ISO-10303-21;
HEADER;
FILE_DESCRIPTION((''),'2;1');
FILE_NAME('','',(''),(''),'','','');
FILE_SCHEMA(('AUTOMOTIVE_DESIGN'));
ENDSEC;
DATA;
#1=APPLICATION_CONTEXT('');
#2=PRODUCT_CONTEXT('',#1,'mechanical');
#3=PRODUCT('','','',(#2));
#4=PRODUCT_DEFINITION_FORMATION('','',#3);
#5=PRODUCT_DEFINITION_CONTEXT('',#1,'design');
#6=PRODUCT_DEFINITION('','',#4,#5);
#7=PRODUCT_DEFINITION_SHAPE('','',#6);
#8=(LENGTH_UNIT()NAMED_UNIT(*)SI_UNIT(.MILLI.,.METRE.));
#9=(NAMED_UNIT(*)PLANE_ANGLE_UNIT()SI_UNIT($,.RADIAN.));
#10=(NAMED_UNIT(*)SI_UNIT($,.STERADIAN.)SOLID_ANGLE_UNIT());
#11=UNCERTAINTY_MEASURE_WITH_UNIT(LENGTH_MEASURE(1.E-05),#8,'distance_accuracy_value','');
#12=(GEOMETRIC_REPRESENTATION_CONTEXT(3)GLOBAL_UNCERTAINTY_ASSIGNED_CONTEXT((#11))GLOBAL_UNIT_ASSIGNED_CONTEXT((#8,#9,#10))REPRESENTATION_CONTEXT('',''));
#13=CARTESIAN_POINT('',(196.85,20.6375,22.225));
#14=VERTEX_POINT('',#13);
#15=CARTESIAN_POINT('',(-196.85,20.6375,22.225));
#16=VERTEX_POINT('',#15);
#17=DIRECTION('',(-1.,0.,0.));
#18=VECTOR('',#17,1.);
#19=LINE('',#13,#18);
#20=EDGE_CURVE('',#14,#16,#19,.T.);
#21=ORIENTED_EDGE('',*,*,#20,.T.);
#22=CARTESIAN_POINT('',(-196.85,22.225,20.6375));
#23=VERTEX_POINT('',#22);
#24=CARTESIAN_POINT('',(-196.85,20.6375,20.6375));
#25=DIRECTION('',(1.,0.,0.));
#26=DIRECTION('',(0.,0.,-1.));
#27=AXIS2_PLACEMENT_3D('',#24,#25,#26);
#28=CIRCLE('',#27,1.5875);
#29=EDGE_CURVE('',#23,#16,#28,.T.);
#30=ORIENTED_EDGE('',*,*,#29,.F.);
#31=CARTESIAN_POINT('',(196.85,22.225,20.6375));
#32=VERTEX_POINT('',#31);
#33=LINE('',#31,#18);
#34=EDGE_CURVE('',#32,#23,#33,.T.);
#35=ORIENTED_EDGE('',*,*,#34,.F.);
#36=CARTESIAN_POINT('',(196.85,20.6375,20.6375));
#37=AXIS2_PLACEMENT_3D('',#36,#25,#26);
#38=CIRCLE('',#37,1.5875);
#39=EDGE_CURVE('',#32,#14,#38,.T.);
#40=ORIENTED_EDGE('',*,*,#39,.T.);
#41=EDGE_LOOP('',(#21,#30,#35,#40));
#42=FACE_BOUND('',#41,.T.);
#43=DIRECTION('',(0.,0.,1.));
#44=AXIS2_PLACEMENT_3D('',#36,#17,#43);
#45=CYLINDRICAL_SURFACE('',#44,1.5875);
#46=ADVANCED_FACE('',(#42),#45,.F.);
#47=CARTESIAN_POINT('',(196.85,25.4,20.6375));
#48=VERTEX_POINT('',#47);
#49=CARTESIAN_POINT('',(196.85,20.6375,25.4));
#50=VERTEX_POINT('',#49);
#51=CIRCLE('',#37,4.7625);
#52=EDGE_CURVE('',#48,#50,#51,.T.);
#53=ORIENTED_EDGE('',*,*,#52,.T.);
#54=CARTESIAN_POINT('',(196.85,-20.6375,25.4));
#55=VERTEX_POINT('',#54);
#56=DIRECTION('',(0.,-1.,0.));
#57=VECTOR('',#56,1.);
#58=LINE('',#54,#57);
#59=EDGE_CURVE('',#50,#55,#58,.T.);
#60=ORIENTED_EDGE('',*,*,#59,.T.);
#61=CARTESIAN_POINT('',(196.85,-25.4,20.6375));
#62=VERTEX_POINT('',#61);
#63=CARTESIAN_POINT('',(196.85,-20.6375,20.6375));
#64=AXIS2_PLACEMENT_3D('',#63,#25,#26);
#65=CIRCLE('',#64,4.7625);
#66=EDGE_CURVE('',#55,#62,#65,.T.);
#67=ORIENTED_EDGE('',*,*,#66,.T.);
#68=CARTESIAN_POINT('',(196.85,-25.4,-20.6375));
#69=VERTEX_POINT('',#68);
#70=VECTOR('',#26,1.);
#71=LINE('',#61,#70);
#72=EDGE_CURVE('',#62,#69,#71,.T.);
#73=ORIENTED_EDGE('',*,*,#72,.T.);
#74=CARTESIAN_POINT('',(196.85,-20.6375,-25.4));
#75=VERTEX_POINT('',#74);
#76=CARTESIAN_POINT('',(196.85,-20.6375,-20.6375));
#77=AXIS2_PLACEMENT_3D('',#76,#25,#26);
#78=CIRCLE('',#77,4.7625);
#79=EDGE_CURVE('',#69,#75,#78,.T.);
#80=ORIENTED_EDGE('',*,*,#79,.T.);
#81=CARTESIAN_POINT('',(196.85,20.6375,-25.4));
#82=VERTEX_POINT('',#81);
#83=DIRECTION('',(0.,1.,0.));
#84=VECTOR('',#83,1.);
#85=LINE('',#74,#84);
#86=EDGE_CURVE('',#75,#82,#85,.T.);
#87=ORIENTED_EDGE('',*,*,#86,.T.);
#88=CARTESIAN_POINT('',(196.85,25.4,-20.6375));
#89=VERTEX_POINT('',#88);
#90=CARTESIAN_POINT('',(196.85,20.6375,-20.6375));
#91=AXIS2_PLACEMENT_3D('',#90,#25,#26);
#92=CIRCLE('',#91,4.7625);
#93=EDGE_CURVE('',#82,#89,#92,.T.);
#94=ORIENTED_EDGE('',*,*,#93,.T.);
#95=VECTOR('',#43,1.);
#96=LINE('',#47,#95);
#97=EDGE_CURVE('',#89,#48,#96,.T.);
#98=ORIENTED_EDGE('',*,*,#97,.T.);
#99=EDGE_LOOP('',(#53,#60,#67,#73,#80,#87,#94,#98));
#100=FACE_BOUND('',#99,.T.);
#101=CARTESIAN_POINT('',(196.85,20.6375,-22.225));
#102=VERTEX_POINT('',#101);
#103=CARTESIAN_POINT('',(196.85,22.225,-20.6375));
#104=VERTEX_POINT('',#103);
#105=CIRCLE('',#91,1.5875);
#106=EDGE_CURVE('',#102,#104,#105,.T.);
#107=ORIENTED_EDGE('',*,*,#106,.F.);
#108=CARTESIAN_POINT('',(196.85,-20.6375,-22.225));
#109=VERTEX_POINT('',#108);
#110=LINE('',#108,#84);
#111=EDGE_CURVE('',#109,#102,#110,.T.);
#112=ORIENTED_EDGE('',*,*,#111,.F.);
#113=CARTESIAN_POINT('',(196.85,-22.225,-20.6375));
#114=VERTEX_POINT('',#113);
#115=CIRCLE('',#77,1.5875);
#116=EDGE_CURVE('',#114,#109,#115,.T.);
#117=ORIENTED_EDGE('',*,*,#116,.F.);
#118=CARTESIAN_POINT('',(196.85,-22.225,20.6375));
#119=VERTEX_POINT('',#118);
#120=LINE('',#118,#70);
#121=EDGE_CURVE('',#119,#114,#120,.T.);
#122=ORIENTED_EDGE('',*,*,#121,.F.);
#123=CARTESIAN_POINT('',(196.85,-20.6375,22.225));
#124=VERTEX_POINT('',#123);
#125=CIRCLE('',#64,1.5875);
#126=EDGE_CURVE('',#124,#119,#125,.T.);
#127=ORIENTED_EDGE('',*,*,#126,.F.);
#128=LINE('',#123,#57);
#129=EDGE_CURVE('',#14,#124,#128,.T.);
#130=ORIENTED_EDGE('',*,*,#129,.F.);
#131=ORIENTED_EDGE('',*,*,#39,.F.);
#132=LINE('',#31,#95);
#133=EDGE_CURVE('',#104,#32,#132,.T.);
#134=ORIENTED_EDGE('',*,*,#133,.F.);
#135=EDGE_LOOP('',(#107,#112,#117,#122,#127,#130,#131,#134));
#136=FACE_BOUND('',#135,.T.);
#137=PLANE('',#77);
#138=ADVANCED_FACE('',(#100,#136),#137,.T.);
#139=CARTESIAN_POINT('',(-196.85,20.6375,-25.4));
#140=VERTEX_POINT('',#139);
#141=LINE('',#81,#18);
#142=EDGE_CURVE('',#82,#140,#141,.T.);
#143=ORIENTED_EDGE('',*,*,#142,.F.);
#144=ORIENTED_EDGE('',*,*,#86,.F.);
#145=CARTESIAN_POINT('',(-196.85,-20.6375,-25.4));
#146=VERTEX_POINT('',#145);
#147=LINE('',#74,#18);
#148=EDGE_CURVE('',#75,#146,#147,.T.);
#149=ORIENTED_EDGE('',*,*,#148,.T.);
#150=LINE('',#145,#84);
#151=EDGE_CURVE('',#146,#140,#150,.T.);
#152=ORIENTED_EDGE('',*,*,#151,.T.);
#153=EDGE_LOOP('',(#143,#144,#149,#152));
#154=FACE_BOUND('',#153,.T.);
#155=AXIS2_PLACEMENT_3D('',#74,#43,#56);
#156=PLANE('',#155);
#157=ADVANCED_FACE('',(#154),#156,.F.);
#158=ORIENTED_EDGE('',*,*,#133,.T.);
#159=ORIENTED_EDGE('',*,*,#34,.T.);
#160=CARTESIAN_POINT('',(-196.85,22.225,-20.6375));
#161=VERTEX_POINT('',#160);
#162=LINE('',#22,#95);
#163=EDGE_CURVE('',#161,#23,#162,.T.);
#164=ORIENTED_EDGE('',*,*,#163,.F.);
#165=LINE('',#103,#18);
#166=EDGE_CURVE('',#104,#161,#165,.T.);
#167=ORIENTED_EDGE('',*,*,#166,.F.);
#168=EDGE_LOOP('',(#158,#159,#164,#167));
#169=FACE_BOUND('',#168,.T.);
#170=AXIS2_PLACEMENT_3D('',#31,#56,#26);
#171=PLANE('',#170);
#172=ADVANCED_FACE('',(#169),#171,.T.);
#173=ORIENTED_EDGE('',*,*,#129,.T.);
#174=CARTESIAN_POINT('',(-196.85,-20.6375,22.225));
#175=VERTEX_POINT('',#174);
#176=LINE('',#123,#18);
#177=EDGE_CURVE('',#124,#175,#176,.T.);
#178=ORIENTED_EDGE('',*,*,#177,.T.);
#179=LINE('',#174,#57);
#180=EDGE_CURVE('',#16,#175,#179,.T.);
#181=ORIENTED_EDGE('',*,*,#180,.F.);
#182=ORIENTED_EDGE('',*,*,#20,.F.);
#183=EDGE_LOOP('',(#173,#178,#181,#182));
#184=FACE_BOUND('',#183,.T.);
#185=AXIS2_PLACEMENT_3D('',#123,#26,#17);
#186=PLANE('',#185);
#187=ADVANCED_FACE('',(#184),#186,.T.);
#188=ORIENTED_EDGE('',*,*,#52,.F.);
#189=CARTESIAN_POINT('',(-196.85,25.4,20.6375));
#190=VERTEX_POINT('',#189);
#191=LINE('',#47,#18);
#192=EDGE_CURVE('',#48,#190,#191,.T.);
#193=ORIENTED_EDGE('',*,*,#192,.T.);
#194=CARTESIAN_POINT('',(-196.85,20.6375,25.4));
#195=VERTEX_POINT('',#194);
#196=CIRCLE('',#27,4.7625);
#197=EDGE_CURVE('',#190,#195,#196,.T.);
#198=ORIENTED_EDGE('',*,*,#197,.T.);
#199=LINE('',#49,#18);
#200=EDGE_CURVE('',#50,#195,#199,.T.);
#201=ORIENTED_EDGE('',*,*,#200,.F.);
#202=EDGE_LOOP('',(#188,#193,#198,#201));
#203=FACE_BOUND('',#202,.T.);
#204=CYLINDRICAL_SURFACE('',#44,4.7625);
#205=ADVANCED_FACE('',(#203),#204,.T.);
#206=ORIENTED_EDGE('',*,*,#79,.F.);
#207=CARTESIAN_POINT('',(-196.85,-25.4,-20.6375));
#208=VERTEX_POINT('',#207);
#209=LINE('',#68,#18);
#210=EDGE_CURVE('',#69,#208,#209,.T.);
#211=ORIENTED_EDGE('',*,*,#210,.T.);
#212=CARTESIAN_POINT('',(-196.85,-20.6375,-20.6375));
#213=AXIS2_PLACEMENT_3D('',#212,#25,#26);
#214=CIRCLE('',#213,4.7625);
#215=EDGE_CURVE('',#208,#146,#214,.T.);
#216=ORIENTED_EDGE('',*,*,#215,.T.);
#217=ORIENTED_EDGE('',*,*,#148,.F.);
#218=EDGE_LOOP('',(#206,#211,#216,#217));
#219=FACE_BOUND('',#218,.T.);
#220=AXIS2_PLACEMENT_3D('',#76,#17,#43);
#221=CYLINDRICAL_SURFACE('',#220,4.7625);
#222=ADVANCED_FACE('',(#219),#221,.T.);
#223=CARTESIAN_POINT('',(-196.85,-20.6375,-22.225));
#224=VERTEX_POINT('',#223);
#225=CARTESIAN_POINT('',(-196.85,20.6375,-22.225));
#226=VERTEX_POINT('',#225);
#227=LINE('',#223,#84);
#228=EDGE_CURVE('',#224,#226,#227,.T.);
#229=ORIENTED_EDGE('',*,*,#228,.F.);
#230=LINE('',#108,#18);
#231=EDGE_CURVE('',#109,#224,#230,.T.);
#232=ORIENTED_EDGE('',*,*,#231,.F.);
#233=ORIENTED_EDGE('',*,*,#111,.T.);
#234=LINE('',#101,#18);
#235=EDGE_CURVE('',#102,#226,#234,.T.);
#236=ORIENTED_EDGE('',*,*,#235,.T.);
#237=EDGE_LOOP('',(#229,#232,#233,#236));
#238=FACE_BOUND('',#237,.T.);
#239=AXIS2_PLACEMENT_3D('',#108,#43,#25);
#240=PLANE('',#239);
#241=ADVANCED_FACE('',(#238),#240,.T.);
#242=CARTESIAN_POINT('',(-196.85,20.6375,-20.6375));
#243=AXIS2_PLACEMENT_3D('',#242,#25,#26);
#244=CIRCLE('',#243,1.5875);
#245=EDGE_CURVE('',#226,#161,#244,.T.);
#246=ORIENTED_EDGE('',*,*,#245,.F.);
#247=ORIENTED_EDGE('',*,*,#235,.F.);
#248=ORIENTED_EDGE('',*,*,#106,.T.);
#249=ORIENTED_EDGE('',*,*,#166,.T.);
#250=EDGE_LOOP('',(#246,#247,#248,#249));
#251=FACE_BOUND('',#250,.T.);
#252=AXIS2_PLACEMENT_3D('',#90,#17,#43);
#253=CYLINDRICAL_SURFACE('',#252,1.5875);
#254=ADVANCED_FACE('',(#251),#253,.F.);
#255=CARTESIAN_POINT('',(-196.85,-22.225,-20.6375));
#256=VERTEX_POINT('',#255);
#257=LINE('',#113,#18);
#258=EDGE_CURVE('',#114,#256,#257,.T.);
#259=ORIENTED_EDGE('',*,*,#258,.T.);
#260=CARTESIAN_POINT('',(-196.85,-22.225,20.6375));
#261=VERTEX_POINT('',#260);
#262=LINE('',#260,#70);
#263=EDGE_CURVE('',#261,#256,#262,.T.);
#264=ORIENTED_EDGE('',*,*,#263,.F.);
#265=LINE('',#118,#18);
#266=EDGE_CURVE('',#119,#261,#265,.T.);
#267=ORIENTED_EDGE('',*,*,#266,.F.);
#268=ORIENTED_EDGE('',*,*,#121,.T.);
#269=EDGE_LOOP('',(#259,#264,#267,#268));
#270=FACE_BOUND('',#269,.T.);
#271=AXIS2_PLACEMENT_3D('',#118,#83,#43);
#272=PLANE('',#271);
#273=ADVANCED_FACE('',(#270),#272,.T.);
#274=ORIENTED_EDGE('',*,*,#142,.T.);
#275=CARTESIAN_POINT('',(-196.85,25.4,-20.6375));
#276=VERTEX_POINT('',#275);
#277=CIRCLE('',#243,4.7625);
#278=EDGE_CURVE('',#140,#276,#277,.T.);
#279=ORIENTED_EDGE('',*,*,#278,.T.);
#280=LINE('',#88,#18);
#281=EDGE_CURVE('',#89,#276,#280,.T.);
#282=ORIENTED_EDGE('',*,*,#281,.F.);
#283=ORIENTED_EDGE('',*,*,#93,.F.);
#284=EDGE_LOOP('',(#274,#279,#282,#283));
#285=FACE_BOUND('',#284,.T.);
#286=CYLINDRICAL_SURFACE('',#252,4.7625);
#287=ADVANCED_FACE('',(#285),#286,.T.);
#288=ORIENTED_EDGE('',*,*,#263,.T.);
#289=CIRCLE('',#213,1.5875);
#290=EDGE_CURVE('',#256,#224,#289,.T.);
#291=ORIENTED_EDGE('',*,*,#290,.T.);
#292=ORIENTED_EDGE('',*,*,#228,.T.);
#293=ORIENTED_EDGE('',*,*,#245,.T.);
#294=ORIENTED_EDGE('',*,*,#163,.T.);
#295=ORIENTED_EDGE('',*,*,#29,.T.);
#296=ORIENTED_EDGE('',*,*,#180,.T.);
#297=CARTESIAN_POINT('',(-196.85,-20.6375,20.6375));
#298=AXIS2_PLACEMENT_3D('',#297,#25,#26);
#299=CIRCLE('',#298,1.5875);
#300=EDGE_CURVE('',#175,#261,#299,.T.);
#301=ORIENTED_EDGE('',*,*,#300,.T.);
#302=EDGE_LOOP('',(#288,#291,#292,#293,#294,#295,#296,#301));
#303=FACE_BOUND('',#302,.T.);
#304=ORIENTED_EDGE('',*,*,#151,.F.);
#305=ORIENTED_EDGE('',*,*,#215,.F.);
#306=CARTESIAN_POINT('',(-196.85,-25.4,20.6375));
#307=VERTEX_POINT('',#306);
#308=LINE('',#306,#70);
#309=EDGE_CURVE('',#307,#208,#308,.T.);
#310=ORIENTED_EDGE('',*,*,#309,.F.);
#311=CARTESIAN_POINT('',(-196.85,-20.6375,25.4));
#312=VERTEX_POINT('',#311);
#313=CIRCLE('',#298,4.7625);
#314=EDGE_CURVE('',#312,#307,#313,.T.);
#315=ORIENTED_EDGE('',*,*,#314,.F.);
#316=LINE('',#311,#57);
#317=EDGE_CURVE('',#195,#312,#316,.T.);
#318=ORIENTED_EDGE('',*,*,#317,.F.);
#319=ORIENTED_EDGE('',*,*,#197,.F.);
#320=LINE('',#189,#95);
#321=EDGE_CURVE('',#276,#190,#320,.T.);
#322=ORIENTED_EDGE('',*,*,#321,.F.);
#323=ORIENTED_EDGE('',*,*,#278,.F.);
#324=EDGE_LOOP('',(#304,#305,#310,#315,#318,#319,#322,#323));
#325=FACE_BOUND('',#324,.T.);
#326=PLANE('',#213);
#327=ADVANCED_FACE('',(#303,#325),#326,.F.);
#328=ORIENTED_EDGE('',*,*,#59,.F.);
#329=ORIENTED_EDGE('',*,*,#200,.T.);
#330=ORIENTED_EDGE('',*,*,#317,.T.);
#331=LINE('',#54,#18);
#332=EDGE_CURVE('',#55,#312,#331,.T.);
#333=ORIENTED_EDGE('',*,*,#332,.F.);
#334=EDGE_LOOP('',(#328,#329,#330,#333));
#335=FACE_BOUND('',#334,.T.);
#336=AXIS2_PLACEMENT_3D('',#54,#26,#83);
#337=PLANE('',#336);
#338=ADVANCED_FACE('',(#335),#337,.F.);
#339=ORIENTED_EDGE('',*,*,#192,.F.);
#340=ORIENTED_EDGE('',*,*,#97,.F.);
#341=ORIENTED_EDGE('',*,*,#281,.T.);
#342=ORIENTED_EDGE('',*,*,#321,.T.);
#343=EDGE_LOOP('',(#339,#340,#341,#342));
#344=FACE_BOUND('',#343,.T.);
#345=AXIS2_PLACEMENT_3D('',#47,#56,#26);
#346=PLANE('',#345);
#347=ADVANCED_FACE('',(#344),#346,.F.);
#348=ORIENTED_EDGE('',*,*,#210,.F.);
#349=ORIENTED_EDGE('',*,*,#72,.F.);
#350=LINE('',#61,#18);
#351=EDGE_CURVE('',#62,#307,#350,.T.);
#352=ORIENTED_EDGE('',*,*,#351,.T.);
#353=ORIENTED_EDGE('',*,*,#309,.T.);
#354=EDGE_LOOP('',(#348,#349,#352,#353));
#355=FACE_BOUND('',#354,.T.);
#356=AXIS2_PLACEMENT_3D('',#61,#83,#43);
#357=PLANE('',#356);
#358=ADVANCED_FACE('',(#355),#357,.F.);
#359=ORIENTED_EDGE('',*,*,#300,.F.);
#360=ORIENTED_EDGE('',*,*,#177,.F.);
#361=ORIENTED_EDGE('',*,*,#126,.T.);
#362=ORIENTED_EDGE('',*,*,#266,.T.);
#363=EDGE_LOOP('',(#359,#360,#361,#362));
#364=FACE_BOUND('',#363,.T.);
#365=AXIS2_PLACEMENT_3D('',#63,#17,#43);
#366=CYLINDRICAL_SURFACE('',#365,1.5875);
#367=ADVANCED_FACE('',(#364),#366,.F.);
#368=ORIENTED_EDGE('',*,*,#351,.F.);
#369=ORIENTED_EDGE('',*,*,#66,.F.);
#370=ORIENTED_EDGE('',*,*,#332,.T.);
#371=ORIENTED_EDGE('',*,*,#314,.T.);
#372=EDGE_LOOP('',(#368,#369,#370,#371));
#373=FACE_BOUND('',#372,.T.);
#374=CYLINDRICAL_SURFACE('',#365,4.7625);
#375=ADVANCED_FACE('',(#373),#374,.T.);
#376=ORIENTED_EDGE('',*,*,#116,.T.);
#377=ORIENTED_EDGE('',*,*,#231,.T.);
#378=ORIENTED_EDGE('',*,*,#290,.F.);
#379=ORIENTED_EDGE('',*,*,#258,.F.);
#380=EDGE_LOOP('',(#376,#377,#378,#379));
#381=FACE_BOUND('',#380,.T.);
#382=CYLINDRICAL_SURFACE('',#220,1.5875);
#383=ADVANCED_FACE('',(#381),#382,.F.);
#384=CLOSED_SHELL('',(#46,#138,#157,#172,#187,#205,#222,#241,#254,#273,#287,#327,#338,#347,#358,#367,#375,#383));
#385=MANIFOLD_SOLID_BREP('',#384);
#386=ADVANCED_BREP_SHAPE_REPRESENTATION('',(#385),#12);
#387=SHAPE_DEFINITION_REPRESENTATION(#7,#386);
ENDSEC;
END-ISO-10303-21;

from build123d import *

# Parameters (mm, degrees)
BOSS_EXTRUDE1_DEPTH = 196.85


with BuildPart() as part:
    # Sketch1 → Boss-Extrude1 (new body, symmetric)
    with BuildSketch(Plane.YZ):
        with BuildLine():
            Line((-20.6375, 25.4), (20.6375, 25.4))
            ThreePointArc((20.6375, 25.4), (24.005096045, 24.005096045), (25.4, 20.6375))
            Line((25.4, 20.6375), (25.4, -20.6375))
            ThreePointArc((25.4, -20.6375), (24.005096045, -24.005096045), (20.6375, -25.4))
            Line((20.6375, -25.4), (-20.6375, -25.4))
            ThreePointArc((-20.6375, -25.4), (-24.005096045, -24.005096045), (-25.4, -20.6375))
            Line((-25.4, -20.6375), (-25.4, 20.6375))
            ThreePointArc((-25.4, 20.6375), (-24.005096045, 24.005096045), (-20.6375, 25.4))
        make_face()
        with BuildLine():
            Line((-20.6375, 22.225), (20.6375, 22.225))
            ThreePointArc((20.6375, 22.225), (21.760032015, 21.760032015), (22.225, 20.6375))
            Line((22.225, 20.6375), (22.225, -20.6375))
            ThreePointArc((22.225, -20.6375), (21.760032015, -21.760032015), (20.6375, -22.225))
            Line((20.6375, -22.225), (-20.6375, -22.225))
            ThreePointArc((-20.6375, -22.225), (-21.760032015, -21.760032015), (-22.225, -20.6375))
            Line((-22.225, -20.6375), (-22.225, 20.6375))
            ThreePointArc((-22.225, 20.6375), (-21.760032015, 21.760032015), (-20.6375, 22.225))
        make_face(mode=Mode.SUBTRACT)
    extrude(amount=BOSS_EXTRUDE1_DEPTH, both=True)


solid = part.part
